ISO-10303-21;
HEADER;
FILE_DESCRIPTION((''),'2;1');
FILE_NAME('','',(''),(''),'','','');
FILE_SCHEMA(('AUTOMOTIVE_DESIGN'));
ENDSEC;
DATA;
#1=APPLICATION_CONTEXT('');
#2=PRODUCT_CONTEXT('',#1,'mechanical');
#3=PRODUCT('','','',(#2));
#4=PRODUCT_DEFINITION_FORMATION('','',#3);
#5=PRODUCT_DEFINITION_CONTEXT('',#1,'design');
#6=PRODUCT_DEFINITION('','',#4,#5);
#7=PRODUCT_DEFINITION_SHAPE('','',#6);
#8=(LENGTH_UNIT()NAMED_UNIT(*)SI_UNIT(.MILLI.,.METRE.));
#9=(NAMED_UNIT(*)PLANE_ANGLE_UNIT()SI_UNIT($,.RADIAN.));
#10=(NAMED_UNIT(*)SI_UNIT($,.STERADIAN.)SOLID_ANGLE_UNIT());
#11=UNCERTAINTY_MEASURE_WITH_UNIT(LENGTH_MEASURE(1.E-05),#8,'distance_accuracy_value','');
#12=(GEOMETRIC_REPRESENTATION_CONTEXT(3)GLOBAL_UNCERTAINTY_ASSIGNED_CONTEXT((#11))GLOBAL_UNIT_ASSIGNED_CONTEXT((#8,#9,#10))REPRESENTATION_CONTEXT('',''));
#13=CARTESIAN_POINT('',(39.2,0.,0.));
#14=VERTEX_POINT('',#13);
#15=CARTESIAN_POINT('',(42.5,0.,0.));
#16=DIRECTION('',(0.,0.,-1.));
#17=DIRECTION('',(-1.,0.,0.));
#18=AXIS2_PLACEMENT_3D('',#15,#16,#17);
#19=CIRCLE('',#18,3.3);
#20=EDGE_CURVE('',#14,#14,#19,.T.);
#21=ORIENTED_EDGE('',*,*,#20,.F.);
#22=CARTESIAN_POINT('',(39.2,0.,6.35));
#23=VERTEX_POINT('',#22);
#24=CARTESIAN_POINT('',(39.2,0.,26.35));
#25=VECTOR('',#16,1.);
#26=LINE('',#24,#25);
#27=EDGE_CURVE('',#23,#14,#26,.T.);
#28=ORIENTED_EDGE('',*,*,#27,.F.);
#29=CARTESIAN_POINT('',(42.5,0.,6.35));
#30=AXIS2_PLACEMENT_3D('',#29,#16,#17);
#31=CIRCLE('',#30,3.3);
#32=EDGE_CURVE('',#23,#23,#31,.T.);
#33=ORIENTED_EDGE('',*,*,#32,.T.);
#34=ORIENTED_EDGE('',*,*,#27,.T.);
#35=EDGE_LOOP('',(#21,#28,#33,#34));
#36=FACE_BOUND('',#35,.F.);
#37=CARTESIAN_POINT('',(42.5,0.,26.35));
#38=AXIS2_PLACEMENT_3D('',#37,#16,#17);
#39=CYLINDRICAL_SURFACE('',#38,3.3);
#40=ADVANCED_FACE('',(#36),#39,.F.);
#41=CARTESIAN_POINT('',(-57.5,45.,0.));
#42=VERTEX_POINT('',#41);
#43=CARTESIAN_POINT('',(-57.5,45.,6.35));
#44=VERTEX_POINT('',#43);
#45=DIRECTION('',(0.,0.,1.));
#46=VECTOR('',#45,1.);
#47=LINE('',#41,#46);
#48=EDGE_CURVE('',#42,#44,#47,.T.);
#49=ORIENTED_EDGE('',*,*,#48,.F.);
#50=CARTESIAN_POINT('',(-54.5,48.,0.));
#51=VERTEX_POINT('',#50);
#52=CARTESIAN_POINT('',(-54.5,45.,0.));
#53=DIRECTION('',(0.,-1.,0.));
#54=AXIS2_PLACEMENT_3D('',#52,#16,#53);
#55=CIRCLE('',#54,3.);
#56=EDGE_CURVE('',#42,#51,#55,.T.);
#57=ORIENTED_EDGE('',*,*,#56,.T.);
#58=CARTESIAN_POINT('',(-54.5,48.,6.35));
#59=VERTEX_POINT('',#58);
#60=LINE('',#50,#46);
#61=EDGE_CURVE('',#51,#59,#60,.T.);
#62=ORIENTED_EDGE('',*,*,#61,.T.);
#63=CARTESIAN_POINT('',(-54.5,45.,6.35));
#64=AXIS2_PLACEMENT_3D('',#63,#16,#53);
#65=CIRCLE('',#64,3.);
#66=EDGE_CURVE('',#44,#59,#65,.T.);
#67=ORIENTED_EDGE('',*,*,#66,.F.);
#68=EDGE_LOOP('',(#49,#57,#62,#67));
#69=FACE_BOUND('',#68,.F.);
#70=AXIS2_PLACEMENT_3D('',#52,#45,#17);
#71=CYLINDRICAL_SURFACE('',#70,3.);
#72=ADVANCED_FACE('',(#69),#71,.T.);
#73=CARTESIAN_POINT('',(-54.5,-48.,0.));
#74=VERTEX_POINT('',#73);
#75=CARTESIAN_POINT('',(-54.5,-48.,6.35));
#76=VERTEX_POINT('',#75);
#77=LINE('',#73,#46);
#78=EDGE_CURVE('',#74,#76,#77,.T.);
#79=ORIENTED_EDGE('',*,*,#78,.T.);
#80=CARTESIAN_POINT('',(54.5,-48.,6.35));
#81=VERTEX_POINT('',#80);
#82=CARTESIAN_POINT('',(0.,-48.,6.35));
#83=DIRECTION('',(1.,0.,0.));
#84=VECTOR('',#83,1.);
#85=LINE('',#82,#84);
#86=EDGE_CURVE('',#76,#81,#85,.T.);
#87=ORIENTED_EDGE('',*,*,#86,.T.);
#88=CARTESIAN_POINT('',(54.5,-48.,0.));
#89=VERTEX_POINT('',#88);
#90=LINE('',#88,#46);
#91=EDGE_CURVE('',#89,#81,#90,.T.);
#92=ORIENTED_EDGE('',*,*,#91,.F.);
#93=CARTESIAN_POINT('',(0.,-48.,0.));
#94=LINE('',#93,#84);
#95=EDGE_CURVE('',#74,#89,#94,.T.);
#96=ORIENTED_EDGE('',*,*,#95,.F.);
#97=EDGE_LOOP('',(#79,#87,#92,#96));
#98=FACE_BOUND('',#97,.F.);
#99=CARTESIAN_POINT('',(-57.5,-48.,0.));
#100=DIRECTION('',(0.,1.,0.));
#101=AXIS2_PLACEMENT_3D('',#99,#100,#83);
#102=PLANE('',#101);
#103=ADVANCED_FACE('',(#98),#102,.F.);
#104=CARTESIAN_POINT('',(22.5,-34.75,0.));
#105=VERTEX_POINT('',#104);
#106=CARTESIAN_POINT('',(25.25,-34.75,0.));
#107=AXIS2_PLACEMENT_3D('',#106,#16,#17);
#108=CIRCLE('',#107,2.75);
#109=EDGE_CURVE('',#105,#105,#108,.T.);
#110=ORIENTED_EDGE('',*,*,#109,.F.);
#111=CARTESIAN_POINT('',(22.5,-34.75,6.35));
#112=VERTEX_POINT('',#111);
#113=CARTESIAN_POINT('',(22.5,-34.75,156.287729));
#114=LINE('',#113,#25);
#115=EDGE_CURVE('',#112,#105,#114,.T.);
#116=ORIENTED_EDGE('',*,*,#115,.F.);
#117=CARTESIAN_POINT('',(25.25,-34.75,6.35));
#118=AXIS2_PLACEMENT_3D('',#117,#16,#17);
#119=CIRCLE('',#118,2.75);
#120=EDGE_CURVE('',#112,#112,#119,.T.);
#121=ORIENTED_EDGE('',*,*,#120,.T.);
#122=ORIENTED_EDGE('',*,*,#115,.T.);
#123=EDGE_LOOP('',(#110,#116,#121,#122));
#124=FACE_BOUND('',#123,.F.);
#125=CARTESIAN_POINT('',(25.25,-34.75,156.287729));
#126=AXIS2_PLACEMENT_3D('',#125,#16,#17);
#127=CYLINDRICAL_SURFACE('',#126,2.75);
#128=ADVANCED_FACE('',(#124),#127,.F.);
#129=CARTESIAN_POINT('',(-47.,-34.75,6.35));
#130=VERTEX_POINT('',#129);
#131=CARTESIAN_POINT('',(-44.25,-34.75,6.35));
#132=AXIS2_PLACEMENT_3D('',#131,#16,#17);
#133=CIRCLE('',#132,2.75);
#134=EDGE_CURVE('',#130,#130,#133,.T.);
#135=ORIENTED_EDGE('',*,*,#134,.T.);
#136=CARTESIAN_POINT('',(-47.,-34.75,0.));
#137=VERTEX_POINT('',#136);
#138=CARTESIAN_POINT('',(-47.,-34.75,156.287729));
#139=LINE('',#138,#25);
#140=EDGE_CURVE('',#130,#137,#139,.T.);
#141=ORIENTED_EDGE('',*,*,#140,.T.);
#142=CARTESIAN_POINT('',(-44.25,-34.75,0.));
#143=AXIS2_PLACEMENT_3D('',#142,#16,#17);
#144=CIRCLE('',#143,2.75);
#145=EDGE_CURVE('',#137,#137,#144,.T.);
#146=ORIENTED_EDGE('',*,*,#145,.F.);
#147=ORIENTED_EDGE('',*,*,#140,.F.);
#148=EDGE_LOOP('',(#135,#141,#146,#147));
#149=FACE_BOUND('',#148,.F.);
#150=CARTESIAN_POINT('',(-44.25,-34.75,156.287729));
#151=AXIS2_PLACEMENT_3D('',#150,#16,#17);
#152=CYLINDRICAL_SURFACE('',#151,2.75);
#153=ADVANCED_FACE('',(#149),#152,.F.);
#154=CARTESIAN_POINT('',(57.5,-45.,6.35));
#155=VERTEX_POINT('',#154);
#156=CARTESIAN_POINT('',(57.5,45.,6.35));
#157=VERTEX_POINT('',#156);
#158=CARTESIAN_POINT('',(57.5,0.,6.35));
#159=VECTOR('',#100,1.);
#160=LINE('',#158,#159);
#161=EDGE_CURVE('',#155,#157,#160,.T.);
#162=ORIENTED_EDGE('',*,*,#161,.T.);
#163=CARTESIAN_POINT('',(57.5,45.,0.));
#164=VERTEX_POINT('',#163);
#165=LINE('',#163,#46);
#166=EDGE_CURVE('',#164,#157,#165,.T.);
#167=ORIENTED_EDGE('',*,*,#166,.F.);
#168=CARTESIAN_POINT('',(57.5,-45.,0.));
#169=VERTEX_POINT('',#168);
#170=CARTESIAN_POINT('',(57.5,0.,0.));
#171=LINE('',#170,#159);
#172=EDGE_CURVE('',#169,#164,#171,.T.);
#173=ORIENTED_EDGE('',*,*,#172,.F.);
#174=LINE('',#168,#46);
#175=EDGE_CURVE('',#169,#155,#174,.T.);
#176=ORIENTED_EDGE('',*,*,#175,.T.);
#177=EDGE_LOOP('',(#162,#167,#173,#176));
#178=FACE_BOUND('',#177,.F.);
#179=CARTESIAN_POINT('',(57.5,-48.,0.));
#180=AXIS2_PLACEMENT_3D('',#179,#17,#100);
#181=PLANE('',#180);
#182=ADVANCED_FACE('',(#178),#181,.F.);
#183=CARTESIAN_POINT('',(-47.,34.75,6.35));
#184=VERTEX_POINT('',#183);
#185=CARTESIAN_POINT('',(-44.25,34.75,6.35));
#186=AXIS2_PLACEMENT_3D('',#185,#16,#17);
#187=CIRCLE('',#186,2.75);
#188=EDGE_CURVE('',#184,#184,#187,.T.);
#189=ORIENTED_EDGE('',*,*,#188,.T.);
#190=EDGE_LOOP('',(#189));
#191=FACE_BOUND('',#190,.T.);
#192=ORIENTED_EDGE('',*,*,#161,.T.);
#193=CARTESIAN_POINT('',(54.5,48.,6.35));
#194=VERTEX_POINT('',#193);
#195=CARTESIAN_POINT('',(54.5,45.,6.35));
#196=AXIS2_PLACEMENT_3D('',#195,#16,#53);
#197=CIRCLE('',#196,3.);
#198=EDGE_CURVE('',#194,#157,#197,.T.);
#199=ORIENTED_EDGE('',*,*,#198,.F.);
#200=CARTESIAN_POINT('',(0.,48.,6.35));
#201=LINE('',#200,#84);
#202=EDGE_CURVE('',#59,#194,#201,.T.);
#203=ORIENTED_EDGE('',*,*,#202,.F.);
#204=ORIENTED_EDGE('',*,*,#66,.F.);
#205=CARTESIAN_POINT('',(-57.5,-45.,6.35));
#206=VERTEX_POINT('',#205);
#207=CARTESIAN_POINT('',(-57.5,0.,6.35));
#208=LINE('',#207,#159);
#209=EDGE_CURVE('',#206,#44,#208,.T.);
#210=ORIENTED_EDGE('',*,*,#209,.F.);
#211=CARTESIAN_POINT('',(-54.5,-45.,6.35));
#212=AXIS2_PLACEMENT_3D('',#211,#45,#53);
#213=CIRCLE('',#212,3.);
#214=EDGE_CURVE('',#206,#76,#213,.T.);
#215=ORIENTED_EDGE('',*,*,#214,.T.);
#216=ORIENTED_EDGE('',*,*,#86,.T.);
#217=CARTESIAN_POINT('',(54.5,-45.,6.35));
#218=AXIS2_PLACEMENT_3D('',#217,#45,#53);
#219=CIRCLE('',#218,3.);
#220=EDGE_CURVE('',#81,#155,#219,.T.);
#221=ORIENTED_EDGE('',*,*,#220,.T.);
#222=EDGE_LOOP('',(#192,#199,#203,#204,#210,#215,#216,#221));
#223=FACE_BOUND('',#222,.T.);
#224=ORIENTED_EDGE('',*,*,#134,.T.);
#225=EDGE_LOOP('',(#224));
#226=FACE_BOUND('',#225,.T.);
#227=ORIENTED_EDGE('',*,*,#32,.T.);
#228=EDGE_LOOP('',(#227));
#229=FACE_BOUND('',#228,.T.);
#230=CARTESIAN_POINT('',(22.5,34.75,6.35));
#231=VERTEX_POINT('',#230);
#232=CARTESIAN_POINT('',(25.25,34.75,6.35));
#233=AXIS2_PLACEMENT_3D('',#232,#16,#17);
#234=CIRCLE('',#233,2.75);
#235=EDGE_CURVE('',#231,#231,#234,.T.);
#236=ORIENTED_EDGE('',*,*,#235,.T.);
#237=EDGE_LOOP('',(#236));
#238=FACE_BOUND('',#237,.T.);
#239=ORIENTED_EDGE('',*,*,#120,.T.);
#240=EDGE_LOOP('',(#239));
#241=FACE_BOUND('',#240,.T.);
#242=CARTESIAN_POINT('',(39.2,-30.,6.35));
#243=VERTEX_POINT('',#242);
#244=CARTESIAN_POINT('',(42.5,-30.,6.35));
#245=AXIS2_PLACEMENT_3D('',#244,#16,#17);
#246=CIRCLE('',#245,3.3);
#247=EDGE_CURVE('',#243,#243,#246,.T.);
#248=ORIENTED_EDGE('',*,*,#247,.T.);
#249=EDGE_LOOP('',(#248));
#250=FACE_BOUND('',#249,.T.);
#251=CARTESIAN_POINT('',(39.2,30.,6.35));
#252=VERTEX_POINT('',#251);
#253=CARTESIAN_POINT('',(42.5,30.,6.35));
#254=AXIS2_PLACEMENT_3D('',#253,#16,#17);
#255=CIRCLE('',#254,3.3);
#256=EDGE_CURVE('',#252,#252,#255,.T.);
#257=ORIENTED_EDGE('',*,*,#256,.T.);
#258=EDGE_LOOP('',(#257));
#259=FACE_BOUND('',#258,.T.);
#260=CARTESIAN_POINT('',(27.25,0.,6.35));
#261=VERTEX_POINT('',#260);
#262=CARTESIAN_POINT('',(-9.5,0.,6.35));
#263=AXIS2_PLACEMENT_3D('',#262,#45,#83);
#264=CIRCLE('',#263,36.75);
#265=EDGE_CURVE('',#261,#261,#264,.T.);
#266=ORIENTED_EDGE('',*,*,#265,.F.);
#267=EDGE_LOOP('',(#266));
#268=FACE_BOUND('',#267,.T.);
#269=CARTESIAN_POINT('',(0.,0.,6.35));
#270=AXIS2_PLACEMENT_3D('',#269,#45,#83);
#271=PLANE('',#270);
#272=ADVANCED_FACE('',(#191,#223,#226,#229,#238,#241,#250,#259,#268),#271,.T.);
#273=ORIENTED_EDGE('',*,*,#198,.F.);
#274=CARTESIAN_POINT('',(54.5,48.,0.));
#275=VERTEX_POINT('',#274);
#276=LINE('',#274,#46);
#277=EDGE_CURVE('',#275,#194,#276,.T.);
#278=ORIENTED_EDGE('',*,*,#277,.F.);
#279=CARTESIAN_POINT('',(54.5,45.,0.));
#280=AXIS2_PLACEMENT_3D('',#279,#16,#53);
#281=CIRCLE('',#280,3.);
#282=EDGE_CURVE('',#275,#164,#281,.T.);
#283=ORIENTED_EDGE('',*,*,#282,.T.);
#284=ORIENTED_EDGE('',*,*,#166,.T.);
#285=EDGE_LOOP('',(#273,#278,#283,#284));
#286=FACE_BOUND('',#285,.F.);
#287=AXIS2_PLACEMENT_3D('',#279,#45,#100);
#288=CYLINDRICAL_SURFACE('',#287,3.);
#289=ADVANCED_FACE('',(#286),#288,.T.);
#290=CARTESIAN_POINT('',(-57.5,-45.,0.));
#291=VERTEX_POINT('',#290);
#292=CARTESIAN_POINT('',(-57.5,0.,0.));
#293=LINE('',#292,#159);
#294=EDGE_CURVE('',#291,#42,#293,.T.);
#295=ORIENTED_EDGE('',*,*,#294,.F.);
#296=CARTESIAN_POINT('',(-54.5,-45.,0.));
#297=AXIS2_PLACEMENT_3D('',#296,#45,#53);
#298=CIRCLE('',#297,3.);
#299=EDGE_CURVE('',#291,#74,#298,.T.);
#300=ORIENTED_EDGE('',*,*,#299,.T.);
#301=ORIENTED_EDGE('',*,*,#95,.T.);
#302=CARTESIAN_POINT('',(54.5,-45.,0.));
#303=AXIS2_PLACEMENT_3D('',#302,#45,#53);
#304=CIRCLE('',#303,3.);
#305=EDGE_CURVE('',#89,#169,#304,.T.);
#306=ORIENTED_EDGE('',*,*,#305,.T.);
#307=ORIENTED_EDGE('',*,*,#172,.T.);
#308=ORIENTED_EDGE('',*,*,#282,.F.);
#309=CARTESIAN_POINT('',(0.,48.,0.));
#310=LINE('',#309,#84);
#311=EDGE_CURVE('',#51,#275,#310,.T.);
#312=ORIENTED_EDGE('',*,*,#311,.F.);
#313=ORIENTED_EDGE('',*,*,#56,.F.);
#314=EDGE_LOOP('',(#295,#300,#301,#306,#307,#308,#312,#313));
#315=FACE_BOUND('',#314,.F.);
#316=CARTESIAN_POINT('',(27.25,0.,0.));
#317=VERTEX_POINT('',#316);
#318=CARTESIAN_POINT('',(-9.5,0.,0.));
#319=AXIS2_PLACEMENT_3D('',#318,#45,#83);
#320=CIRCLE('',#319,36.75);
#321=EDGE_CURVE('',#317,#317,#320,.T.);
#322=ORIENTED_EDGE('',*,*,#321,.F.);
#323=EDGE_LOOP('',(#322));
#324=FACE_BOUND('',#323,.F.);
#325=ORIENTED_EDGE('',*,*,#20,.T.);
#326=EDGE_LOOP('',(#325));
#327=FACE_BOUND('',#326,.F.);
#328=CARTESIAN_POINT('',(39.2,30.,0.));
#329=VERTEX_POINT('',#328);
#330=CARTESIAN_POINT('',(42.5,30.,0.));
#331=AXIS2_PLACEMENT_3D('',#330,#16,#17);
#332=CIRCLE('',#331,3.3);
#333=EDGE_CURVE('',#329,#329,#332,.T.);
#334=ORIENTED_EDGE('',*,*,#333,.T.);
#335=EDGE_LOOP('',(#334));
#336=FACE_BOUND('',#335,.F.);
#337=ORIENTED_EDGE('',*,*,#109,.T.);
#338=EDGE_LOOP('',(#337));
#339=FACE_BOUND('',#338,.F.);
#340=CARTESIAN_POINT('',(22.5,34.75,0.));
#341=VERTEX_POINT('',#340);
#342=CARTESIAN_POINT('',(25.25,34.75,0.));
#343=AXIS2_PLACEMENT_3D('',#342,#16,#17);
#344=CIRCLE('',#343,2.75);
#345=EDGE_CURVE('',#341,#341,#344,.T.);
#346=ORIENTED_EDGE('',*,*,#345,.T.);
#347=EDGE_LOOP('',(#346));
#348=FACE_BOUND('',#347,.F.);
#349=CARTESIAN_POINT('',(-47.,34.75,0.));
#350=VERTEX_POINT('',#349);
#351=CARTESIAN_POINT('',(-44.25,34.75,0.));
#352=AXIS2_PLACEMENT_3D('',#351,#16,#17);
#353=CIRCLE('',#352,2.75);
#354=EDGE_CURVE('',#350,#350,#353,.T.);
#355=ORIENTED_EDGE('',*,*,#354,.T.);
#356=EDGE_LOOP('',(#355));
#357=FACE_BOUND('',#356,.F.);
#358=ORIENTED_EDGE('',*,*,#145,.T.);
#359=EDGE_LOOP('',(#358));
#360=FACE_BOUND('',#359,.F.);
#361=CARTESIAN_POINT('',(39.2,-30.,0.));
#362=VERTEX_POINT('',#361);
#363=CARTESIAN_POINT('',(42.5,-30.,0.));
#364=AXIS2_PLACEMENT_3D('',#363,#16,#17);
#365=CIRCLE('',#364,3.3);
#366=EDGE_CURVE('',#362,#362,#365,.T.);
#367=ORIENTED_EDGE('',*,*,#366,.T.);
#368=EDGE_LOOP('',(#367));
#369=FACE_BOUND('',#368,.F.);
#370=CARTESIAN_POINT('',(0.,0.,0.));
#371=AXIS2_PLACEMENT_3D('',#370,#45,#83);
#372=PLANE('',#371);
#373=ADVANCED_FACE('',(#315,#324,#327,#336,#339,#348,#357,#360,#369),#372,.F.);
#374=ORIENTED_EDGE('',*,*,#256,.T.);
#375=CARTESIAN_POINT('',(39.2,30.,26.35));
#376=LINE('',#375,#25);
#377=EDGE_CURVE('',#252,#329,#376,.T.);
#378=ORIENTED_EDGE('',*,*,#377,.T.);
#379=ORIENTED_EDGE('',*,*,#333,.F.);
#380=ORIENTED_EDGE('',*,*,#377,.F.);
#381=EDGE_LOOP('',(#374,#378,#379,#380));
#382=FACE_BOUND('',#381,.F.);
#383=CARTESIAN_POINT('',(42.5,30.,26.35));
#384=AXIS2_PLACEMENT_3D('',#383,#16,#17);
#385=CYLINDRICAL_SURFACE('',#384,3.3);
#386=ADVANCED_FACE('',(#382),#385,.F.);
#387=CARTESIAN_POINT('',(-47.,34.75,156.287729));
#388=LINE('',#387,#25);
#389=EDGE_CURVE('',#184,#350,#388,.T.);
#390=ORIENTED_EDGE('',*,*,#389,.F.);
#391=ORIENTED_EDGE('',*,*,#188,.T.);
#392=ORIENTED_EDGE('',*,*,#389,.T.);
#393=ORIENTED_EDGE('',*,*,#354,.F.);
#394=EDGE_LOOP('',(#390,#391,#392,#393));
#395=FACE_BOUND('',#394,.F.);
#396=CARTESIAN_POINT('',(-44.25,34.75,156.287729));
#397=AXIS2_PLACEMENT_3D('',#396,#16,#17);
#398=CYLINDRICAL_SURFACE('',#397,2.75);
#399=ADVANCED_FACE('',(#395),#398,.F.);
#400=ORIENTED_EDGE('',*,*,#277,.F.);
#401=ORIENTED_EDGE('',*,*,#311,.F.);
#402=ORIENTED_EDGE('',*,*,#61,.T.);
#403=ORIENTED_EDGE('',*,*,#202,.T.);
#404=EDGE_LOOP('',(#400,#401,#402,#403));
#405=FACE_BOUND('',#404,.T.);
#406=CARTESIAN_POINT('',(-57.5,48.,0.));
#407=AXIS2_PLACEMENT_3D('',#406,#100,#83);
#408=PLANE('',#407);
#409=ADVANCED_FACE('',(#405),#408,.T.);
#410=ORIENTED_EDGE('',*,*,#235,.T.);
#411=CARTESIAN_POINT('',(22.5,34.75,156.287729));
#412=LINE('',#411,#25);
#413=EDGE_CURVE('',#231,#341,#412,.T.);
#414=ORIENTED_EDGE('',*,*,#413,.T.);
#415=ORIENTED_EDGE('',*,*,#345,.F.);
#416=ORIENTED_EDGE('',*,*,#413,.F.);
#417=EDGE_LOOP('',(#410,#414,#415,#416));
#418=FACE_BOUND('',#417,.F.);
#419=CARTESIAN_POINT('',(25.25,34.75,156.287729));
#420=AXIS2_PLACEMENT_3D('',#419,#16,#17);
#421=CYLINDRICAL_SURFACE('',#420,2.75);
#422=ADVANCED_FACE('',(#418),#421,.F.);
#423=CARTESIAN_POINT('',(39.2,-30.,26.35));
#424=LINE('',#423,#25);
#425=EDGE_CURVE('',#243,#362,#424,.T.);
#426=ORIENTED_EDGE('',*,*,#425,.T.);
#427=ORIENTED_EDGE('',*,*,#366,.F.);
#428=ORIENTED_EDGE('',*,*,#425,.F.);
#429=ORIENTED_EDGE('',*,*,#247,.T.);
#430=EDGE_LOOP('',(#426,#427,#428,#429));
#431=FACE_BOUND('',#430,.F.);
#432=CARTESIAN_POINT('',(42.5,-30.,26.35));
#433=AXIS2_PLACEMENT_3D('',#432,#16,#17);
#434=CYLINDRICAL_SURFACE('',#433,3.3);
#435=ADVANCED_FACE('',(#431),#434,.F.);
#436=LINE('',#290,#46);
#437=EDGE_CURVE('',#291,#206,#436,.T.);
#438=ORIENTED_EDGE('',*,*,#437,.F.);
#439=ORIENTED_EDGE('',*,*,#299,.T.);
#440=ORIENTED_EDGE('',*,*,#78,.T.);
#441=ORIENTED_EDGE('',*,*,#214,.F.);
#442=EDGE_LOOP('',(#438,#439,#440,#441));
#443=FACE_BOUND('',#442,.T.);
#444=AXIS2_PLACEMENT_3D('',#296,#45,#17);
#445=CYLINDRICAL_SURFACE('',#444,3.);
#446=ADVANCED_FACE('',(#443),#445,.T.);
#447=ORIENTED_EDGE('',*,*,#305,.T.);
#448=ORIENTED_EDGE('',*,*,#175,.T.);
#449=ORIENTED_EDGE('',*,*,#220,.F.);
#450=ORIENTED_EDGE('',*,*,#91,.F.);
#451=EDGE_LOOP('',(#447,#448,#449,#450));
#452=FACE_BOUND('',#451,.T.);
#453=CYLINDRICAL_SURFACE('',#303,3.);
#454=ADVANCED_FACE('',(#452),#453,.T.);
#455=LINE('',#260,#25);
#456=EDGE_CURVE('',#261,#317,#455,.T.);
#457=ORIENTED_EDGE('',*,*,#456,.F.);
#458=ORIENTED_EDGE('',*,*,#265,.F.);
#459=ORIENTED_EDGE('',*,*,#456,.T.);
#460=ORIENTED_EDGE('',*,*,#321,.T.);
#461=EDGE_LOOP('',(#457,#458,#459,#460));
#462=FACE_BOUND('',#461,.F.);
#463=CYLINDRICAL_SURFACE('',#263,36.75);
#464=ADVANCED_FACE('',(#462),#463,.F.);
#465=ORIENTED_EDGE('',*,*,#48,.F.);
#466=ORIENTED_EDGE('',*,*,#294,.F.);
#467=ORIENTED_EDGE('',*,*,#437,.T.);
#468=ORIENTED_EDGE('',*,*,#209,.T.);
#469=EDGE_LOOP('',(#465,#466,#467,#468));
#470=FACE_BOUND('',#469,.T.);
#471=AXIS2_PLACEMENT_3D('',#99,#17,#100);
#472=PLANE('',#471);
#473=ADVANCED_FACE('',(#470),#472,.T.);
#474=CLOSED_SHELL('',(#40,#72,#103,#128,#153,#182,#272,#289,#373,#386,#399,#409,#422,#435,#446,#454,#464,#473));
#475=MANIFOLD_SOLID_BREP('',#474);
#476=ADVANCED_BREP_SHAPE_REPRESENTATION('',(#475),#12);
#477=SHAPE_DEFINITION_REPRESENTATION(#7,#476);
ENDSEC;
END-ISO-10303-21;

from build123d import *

# Parameters (mm, degrees)
SKETCH1_W                = 115
SKETCH1_H                = 96
BOSS_EXTRUDE1_DEPTH      = 6.35
SKETCH2_R                = 36.75
CUT_EXTRUDE1_DEPTH       = 7.35
FILLET1_R                = 3
M6_CLEARANCE_HOLE1_D     = 6.6
M6_CLEARANCE_HOLE1_DEPTH = 20
M6_CLEARANCE_HOLE1_TIP   = 1.982840043
M5_CLEARANCE_HOLE1_D     = 5.5


with BuildPart() as part:
    # Sketch1 → Boss-Extrude1 (new body)
    with BuildSketch(Plane.XY):
        Rectangle(SKETCH1_W, SKETCH1_H)
    extrude(amount=BOSS_EXTRUDE1_DEPTH)

    # Sketch2 → Cut-Extrude1 (cut, through all)
    with BuildSketch(Plane.XY.offset(6.35)):
        with Locations((-9.5, 0)):
            Circle(SKETCH2_R)
    extrude(amount=-CUT_EXTRUDE1_DEPTH, mode=Mode.SUBTRACT)

    # Fillet1
    fillet1_edges = [part.edges().sort_by_distance(p)[0] for p in [
        (57.5, -48, 3.175),
        (-57.5, -48, 3.175),
        (-57.5, 48, 3.175),
        (57.5, 48, 3.175),
    ]]
    fillet(fillet1_edges, radius=FILLET1_R)

    # M6 Clearance Hole1
    with Locations(Plane.XY.offset(6.35)):
        with Locations((42.5, 30), (42.5, 0), (42.5, -30)):
            Hole(M6_CLEARANCE_HOLE1_D / 2, depth=M6_CLEARANCE_HOLE1_DEPTH)
            with Locations((0, 0, -(M6_CLEARANCE_HOLE1_DEPTH + M6_CLEARANCE_HOLE1_TIP / 2))):  # 118° drill point
                Cone(0, M6_CLEARANCE_HOLE1_D / 2, M6_CLEARANCE_HOLE1_TIP, mode=Mode.SUBTRACT)

    # M5 Clearance Hole1 (through all)
    with Locations(Plane.XY.offset(6.35)):
        with Locations((25.25, -34.75), (-44.25, -34.75), (-44.25, 34.75), (25.25, 34.75)):
            Hole(M5_CLEARANCE_HOLE1_D / 2)


solid = part.part
